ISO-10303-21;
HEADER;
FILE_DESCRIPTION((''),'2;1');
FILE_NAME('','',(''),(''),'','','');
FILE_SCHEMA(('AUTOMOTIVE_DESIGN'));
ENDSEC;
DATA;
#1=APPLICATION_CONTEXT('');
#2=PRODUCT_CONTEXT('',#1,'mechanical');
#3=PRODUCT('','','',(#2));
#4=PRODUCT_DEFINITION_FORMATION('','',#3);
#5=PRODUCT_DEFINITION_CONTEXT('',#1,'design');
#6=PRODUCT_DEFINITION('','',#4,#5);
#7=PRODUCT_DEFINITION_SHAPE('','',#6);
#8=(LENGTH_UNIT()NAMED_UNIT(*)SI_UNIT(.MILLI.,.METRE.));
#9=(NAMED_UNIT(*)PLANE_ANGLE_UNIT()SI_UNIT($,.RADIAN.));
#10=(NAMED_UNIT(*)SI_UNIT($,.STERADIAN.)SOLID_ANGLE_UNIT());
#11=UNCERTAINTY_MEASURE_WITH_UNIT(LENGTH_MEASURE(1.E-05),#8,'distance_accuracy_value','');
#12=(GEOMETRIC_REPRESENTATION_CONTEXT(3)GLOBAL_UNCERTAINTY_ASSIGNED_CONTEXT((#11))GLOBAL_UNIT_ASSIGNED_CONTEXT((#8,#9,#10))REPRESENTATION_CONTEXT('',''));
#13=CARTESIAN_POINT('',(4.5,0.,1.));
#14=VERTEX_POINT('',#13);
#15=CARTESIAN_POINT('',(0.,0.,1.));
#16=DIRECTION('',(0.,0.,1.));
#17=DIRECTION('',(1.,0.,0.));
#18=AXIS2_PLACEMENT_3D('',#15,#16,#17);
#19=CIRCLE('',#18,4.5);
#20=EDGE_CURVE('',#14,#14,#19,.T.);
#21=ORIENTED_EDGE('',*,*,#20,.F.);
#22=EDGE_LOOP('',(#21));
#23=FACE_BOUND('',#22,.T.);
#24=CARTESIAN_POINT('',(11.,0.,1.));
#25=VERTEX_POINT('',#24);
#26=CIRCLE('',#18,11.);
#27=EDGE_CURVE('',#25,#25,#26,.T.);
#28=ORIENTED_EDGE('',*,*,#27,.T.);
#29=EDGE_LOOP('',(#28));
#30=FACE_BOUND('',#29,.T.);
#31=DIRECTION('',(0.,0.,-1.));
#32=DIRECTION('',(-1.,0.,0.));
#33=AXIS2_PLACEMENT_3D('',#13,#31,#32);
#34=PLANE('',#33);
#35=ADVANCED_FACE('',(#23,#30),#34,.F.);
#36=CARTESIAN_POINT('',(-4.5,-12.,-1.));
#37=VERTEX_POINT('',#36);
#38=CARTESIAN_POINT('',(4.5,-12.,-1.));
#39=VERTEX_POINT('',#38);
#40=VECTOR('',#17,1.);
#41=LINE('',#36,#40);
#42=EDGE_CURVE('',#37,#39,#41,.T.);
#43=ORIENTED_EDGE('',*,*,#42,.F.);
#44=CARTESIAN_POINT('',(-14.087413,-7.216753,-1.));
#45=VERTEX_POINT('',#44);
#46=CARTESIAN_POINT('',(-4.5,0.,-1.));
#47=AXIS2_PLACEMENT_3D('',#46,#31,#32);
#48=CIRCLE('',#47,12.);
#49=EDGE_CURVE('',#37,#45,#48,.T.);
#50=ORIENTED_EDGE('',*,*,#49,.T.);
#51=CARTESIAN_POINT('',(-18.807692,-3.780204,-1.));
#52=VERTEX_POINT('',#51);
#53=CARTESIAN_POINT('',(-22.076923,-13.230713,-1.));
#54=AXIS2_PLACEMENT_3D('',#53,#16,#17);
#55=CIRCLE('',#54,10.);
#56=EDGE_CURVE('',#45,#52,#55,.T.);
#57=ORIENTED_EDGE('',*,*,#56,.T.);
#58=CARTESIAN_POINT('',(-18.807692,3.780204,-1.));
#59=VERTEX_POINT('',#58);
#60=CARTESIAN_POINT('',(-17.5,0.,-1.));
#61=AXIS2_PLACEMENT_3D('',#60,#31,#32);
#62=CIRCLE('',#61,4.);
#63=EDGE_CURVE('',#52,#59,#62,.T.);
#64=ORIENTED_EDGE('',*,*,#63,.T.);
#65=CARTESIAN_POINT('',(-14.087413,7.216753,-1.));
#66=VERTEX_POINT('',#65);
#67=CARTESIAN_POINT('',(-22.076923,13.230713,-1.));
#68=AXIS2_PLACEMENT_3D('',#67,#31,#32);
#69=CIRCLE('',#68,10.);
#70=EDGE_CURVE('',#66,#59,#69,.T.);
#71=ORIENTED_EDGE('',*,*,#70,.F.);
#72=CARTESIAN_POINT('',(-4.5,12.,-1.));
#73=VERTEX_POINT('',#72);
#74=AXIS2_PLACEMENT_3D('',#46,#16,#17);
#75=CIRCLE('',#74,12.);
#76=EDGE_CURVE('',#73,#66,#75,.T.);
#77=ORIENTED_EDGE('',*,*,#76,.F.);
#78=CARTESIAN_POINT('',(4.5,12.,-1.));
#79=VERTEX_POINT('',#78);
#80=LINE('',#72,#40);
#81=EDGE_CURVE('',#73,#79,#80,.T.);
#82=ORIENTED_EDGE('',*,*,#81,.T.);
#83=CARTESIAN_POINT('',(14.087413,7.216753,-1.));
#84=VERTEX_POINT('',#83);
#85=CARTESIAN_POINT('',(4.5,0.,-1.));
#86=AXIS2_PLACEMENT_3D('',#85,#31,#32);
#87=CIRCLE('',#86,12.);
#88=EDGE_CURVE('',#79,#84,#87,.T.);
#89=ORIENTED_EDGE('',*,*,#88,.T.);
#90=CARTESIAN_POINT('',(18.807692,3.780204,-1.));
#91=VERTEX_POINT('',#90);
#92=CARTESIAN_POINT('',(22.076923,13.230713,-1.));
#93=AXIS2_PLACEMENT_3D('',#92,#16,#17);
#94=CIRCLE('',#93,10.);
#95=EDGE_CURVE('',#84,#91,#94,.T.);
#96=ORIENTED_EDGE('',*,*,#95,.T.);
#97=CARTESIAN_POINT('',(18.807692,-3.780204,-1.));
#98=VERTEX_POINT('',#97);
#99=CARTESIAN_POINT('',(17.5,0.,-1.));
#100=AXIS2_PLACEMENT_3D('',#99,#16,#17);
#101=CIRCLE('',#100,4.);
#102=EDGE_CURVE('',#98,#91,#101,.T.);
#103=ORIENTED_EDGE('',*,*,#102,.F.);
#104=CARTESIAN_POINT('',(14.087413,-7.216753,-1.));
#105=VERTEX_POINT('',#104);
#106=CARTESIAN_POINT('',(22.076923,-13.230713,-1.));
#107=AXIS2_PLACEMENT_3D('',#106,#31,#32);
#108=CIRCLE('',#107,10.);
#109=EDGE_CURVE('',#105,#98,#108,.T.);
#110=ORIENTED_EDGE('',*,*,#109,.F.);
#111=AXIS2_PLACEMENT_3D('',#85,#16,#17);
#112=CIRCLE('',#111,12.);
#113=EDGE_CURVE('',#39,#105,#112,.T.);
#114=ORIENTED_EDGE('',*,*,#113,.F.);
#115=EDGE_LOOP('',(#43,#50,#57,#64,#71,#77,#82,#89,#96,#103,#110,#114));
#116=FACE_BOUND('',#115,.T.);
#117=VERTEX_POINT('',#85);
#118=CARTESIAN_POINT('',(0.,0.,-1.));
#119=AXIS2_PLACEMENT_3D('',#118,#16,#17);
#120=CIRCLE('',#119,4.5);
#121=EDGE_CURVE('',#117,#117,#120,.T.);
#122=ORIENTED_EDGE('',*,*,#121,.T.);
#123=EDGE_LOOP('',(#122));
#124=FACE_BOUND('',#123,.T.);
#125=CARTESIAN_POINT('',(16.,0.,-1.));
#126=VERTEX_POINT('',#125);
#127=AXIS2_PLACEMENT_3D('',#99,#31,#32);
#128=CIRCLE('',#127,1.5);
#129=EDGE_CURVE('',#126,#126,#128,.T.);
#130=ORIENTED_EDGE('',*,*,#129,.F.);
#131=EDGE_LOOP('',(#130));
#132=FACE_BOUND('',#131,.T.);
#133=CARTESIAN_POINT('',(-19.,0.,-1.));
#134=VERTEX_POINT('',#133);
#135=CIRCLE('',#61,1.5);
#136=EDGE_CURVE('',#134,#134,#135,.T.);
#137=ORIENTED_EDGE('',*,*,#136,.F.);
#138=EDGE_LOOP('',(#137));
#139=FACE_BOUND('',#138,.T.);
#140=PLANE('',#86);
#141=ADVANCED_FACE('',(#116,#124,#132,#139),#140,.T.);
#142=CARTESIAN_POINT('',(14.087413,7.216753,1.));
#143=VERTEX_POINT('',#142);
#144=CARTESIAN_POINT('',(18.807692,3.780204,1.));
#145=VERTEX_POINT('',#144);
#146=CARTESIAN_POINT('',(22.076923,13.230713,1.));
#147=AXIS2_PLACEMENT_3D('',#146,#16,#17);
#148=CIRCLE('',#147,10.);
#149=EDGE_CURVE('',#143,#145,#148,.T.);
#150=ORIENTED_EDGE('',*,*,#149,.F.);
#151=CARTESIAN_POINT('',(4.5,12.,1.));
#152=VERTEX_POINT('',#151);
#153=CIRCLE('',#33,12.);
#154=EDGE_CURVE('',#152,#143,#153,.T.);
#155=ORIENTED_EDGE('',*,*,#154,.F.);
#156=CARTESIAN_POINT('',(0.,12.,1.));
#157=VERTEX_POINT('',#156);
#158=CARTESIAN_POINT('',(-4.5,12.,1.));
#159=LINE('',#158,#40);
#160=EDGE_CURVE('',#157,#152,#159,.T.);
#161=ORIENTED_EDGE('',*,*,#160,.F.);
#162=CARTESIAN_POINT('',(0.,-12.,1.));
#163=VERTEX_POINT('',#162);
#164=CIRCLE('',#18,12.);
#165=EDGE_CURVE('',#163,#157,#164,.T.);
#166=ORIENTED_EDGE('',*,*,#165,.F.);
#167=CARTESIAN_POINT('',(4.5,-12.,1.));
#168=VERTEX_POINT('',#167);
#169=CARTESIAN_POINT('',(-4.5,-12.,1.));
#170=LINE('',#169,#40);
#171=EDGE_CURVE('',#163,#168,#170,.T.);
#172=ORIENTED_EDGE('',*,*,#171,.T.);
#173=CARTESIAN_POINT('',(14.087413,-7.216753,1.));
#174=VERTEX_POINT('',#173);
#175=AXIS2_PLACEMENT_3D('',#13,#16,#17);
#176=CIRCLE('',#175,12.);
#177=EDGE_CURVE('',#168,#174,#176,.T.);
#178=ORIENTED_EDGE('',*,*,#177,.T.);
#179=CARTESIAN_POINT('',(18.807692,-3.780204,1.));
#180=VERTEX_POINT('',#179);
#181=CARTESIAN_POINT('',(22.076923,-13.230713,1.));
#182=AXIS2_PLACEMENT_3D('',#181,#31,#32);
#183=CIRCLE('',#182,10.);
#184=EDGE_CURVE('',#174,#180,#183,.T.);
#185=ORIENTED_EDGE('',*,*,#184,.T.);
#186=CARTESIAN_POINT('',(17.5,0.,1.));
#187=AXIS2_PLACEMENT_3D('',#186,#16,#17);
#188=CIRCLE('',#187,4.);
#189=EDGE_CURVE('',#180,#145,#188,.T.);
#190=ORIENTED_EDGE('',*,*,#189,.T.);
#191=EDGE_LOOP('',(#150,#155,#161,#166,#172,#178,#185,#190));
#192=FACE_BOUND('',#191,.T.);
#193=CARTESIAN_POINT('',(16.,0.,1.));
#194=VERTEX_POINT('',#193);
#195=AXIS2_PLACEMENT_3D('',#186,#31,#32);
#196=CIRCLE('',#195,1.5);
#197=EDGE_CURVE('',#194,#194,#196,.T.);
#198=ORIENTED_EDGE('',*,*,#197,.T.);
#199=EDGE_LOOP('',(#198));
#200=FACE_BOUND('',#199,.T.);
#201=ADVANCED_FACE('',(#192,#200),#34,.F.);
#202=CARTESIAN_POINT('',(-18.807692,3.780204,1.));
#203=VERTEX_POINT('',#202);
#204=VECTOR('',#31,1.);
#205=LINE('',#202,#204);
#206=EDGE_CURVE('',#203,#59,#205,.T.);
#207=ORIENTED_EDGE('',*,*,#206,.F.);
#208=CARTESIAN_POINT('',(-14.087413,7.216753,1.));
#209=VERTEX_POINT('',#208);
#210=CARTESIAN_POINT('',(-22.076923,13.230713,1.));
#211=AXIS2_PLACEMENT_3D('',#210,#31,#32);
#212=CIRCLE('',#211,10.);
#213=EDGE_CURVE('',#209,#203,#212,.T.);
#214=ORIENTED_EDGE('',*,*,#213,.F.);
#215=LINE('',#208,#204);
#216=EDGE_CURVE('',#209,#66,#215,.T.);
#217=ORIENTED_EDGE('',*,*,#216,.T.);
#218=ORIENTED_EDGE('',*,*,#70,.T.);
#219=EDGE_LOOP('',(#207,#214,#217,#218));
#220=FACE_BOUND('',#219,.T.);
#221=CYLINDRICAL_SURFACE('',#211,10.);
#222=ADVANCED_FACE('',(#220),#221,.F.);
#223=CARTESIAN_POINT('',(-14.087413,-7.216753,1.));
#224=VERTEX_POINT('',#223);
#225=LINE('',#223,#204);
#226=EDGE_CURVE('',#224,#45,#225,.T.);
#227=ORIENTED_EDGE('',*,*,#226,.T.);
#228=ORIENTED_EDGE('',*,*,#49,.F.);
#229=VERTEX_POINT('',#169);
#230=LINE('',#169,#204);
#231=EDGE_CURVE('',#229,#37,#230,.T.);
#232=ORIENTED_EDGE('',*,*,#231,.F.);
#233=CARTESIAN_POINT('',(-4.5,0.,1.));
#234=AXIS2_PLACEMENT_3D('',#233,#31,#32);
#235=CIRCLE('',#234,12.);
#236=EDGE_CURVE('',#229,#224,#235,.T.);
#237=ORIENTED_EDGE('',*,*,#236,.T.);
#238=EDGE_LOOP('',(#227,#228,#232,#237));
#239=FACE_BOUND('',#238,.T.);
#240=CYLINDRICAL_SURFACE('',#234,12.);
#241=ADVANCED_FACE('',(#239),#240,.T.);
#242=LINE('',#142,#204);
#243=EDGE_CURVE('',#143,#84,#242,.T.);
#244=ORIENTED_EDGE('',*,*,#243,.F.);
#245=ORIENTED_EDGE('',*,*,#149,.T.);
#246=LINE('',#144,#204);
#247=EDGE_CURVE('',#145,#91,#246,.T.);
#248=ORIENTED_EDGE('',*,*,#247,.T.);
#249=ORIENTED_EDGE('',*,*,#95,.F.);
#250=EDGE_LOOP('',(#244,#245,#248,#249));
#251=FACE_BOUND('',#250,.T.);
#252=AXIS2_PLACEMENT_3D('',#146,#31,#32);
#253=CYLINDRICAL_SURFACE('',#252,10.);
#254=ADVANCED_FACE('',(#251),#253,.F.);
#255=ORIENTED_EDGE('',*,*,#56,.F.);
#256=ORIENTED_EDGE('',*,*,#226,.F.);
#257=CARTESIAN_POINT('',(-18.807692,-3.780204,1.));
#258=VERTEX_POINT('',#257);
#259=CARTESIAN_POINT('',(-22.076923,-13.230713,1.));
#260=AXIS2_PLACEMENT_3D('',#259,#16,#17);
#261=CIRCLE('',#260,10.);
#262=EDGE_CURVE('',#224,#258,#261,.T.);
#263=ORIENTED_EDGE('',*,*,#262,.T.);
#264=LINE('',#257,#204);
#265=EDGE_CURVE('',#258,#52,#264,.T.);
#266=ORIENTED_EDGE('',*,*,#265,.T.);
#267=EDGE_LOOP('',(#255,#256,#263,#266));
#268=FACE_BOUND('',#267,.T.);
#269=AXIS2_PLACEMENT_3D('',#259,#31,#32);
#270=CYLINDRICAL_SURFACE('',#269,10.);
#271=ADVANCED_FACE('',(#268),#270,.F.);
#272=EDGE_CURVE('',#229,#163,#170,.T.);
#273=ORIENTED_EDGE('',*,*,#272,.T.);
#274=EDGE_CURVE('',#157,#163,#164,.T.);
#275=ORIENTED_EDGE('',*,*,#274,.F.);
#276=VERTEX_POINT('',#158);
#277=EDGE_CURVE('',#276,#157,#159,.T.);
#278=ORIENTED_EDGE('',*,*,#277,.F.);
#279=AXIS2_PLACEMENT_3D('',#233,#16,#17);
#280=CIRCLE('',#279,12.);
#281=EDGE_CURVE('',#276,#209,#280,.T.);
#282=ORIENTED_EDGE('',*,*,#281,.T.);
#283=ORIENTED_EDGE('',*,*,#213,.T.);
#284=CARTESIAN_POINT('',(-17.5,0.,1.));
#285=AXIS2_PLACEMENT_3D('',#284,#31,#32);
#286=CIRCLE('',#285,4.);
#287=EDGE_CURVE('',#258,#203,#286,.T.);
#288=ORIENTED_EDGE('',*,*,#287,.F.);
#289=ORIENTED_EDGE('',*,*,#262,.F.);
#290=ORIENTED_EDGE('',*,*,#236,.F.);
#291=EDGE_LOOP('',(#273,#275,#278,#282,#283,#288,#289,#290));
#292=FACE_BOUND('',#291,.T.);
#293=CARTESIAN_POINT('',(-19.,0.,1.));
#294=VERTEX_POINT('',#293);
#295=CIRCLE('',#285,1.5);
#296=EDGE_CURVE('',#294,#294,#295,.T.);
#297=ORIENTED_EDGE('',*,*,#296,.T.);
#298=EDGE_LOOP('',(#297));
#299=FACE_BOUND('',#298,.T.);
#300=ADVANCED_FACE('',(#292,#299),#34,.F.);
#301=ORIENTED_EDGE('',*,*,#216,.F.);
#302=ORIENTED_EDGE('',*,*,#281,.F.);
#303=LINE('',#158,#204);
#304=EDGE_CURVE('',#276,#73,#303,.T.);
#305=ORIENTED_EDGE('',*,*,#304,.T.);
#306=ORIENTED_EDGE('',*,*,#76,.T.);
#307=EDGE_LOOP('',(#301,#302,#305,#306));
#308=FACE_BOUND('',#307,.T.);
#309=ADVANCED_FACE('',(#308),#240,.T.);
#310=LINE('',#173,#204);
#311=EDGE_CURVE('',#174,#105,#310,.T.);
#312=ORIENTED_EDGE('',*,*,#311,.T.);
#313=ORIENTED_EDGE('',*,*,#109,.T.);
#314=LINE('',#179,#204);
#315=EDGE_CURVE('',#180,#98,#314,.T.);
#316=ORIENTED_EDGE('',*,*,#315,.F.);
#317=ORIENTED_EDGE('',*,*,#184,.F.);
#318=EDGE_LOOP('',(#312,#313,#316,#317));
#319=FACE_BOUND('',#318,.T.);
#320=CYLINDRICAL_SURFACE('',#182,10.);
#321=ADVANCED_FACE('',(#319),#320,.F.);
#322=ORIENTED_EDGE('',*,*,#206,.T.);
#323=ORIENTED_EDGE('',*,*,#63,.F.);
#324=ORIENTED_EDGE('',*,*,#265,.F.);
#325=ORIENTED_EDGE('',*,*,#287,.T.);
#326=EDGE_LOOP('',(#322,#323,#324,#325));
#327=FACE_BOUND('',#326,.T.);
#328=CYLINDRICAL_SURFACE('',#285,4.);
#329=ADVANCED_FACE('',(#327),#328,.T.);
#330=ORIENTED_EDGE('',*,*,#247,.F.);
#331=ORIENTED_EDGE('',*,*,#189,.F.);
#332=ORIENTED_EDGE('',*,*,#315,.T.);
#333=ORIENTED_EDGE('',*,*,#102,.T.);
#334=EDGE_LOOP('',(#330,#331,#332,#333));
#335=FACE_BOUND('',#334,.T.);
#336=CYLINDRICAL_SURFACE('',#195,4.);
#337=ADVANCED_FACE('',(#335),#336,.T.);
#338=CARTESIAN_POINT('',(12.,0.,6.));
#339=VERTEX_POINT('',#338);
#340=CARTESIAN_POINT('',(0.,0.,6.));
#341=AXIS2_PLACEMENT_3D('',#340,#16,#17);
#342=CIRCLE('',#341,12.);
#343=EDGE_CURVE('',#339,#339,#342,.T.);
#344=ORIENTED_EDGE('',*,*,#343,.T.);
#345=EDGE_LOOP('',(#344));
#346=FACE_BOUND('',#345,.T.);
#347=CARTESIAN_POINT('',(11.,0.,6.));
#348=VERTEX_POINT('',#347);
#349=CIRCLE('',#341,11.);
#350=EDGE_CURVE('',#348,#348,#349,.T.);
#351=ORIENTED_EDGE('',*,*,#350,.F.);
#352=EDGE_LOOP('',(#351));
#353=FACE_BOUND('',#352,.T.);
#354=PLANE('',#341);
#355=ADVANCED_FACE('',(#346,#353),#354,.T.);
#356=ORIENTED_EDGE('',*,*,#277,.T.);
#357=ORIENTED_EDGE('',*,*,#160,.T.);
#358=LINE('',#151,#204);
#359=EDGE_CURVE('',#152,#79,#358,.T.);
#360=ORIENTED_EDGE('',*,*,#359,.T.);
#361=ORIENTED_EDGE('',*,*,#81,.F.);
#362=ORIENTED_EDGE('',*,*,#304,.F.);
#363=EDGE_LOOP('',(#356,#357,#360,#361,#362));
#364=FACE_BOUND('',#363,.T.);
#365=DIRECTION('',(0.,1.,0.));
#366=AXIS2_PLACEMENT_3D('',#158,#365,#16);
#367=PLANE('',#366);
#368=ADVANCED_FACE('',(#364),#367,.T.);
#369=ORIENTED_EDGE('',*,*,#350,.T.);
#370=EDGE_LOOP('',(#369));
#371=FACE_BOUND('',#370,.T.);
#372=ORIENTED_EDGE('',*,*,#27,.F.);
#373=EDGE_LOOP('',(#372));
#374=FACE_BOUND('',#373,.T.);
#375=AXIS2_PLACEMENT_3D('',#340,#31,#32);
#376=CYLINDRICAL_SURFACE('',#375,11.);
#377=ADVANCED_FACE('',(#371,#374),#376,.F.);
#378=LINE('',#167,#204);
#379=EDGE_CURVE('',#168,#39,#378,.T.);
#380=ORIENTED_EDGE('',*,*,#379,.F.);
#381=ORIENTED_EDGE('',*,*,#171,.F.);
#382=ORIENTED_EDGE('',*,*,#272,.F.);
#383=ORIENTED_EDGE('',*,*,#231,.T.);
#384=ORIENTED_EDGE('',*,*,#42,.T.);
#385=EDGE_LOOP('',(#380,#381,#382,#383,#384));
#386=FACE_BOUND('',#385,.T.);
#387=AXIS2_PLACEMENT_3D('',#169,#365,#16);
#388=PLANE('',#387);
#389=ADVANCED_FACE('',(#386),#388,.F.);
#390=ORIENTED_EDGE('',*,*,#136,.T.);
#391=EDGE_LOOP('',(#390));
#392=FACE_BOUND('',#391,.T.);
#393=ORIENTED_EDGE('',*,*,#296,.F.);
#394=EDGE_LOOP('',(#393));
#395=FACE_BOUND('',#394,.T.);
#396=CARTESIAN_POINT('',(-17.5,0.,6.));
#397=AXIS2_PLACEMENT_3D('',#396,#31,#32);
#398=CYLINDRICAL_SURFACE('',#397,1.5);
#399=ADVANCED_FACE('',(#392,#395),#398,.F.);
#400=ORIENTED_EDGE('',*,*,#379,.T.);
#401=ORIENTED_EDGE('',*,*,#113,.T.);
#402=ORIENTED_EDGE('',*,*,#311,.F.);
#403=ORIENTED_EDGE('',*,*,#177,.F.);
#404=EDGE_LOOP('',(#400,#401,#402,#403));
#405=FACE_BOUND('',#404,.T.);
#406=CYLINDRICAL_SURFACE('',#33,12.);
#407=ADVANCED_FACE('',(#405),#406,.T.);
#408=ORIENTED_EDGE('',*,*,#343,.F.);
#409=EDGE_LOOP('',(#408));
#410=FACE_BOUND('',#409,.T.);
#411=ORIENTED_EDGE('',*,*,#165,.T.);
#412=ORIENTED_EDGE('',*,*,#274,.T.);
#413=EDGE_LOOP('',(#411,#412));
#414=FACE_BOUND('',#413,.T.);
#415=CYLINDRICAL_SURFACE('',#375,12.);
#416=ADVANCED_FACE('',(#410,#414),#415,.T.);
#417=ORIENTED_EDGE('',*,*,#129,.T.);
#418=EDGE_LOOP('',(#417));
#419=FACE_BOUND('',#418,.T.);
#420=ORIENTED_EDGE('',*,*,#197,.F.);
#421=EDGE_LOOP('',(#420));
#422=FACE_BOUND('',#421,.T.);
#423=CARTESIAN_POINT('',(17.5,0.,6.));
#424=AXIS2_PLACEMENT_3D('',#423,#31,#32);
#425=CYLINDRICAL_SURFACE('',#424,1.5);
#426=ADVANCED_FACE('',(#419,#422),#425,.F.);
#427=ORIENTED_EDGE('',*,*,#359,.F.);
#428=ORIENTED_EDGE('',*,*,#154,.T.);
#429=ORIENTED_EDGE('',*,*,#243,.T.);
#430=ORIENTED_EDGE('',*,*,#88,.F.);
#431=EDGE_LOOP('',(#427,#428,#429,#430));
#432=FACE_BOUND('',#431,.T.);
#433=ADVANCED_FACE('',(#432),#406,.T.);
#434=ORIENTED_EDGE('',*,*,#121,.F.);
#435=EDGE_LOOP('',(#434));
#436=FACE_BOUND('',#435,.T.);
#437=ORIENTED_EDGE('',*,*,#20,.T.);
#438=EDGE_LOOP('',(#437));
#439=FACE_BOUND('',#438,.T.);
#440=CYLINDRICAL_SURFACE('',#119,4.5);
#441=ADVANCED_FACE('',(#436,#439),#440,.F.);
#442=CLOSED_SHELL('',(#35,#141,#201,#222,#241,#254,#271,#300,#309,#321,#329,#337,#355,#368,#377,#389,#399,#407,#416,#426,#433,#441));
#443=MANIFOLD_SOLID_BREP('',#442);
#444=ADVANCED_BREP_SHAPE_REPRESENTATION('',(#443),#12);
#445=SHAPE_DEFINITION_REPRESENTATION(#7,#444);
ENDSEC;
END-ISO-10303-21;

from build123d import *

# Parameters (mm, degrees)
EXTRUDE_2_DEPTH     = 1
SKETCH_3_R          = 12
SKETCH_3_R_2        = 11
EXTRUDE_3_DEPTH     = 5
SKETCH_4_R          = 4.5
CUT_EXTRUDE_1_DEPTH = 26.124689053
SKETCH_5_R          = 1.5
CUT_EXTRUDE_2_DEPTH = 26.597851472


with BuildPart() as part:
    # 草图2 → 凸台-拉伸2 (new, symmetric)
    with BuildSketch(Plane.XY):
        with BuildLine():
            Line((-4.5, 12), (4.5, 12))
            ThreePointArc((4.5, 12), (9.857189903, 10.7378078), (14.087412587, 7.216752724))
            ThreePointArc((14.087412587, 7.216752724), (16.191153731, 5.146301215), (18.807692308, 3.780203808))
            ThreePointArc((18.807692308, 3.780203808), (21.5, 0), (18.807692308, -3.780203808))
            ThreePointArc((18.807692308, -3.780203808), (16.191153731, -5.146301215), (14.087412587, -7.216752724))
            ThreePointArc((14.087412587, -7.216752724), (9.857189903, -10.7378078), (4.5, -12))
            Line((4.5, -12), (-4.5, -12))
            ThreePointArc((-4.5, -12), (-9.857189903, -10.7378078), (-14.087412587, -7.216752724))
            ThreePointArc((-14.087412587, -7.216752724), (-16.191153731, -5.146301215), (-18.807692308, -3.780203808))
            ThreePointArc((-18.807692308, -3.780203808), (-21.5, 0), (-18.807692308, 3.780203808))
            ThreePointArc((-18.807692308, 3.780203808), (-16.191153731, 5.146301215), (-14.087412587, 7.216752724))
            ThreePointArc((-14.087412587, 7.216752724), (-9.857189903, 10.7378078), (-4.5, 12))
        make_face()
    extrude(amount=EXTRUDE_2_DEPTH, both=True)

    # 草图3 → 凸台-拉伸3 (add)
    with BuildSketch(Plane.XY.offset(1)):
        with Locations(Location((0, 0, 0), (0, 0, 270))):
            Circle(SKETCH_3_R)
        Circle(SKETCH_3_R_2, mode=Mode.SUBTRACT)
    extrude(amount=EXTRUDE_3_DEPTH)

    # 草图4 → 切除-拉伸1 (cut, through all)
    with BuildSketch(Plane.XY.offset(1)):
        Circle(SKETCH_4_R)
    extrude(amount=-CUT_EXTRUDE_1_DEPTH, mode=Mode.SUBTRACT)

    # 草图5 → 切除-拉伸2 (cut, through all)
    with BuildSketch(Plane(origin=(0, 0, -1), x_dir=(-1, 0, 0), z_dir=(0, 0, -1))):
        with Locations((17.5, 0)):
            Circle(SKETCH_5_R)
        with Locations((-17.5, 0)):
            Circle(SKETCH_5_R)
    extrude(amount=-CUT_EXTRUDE_2_DEPTH, mode=Mode.SUBTRACT)


solid = part.part
